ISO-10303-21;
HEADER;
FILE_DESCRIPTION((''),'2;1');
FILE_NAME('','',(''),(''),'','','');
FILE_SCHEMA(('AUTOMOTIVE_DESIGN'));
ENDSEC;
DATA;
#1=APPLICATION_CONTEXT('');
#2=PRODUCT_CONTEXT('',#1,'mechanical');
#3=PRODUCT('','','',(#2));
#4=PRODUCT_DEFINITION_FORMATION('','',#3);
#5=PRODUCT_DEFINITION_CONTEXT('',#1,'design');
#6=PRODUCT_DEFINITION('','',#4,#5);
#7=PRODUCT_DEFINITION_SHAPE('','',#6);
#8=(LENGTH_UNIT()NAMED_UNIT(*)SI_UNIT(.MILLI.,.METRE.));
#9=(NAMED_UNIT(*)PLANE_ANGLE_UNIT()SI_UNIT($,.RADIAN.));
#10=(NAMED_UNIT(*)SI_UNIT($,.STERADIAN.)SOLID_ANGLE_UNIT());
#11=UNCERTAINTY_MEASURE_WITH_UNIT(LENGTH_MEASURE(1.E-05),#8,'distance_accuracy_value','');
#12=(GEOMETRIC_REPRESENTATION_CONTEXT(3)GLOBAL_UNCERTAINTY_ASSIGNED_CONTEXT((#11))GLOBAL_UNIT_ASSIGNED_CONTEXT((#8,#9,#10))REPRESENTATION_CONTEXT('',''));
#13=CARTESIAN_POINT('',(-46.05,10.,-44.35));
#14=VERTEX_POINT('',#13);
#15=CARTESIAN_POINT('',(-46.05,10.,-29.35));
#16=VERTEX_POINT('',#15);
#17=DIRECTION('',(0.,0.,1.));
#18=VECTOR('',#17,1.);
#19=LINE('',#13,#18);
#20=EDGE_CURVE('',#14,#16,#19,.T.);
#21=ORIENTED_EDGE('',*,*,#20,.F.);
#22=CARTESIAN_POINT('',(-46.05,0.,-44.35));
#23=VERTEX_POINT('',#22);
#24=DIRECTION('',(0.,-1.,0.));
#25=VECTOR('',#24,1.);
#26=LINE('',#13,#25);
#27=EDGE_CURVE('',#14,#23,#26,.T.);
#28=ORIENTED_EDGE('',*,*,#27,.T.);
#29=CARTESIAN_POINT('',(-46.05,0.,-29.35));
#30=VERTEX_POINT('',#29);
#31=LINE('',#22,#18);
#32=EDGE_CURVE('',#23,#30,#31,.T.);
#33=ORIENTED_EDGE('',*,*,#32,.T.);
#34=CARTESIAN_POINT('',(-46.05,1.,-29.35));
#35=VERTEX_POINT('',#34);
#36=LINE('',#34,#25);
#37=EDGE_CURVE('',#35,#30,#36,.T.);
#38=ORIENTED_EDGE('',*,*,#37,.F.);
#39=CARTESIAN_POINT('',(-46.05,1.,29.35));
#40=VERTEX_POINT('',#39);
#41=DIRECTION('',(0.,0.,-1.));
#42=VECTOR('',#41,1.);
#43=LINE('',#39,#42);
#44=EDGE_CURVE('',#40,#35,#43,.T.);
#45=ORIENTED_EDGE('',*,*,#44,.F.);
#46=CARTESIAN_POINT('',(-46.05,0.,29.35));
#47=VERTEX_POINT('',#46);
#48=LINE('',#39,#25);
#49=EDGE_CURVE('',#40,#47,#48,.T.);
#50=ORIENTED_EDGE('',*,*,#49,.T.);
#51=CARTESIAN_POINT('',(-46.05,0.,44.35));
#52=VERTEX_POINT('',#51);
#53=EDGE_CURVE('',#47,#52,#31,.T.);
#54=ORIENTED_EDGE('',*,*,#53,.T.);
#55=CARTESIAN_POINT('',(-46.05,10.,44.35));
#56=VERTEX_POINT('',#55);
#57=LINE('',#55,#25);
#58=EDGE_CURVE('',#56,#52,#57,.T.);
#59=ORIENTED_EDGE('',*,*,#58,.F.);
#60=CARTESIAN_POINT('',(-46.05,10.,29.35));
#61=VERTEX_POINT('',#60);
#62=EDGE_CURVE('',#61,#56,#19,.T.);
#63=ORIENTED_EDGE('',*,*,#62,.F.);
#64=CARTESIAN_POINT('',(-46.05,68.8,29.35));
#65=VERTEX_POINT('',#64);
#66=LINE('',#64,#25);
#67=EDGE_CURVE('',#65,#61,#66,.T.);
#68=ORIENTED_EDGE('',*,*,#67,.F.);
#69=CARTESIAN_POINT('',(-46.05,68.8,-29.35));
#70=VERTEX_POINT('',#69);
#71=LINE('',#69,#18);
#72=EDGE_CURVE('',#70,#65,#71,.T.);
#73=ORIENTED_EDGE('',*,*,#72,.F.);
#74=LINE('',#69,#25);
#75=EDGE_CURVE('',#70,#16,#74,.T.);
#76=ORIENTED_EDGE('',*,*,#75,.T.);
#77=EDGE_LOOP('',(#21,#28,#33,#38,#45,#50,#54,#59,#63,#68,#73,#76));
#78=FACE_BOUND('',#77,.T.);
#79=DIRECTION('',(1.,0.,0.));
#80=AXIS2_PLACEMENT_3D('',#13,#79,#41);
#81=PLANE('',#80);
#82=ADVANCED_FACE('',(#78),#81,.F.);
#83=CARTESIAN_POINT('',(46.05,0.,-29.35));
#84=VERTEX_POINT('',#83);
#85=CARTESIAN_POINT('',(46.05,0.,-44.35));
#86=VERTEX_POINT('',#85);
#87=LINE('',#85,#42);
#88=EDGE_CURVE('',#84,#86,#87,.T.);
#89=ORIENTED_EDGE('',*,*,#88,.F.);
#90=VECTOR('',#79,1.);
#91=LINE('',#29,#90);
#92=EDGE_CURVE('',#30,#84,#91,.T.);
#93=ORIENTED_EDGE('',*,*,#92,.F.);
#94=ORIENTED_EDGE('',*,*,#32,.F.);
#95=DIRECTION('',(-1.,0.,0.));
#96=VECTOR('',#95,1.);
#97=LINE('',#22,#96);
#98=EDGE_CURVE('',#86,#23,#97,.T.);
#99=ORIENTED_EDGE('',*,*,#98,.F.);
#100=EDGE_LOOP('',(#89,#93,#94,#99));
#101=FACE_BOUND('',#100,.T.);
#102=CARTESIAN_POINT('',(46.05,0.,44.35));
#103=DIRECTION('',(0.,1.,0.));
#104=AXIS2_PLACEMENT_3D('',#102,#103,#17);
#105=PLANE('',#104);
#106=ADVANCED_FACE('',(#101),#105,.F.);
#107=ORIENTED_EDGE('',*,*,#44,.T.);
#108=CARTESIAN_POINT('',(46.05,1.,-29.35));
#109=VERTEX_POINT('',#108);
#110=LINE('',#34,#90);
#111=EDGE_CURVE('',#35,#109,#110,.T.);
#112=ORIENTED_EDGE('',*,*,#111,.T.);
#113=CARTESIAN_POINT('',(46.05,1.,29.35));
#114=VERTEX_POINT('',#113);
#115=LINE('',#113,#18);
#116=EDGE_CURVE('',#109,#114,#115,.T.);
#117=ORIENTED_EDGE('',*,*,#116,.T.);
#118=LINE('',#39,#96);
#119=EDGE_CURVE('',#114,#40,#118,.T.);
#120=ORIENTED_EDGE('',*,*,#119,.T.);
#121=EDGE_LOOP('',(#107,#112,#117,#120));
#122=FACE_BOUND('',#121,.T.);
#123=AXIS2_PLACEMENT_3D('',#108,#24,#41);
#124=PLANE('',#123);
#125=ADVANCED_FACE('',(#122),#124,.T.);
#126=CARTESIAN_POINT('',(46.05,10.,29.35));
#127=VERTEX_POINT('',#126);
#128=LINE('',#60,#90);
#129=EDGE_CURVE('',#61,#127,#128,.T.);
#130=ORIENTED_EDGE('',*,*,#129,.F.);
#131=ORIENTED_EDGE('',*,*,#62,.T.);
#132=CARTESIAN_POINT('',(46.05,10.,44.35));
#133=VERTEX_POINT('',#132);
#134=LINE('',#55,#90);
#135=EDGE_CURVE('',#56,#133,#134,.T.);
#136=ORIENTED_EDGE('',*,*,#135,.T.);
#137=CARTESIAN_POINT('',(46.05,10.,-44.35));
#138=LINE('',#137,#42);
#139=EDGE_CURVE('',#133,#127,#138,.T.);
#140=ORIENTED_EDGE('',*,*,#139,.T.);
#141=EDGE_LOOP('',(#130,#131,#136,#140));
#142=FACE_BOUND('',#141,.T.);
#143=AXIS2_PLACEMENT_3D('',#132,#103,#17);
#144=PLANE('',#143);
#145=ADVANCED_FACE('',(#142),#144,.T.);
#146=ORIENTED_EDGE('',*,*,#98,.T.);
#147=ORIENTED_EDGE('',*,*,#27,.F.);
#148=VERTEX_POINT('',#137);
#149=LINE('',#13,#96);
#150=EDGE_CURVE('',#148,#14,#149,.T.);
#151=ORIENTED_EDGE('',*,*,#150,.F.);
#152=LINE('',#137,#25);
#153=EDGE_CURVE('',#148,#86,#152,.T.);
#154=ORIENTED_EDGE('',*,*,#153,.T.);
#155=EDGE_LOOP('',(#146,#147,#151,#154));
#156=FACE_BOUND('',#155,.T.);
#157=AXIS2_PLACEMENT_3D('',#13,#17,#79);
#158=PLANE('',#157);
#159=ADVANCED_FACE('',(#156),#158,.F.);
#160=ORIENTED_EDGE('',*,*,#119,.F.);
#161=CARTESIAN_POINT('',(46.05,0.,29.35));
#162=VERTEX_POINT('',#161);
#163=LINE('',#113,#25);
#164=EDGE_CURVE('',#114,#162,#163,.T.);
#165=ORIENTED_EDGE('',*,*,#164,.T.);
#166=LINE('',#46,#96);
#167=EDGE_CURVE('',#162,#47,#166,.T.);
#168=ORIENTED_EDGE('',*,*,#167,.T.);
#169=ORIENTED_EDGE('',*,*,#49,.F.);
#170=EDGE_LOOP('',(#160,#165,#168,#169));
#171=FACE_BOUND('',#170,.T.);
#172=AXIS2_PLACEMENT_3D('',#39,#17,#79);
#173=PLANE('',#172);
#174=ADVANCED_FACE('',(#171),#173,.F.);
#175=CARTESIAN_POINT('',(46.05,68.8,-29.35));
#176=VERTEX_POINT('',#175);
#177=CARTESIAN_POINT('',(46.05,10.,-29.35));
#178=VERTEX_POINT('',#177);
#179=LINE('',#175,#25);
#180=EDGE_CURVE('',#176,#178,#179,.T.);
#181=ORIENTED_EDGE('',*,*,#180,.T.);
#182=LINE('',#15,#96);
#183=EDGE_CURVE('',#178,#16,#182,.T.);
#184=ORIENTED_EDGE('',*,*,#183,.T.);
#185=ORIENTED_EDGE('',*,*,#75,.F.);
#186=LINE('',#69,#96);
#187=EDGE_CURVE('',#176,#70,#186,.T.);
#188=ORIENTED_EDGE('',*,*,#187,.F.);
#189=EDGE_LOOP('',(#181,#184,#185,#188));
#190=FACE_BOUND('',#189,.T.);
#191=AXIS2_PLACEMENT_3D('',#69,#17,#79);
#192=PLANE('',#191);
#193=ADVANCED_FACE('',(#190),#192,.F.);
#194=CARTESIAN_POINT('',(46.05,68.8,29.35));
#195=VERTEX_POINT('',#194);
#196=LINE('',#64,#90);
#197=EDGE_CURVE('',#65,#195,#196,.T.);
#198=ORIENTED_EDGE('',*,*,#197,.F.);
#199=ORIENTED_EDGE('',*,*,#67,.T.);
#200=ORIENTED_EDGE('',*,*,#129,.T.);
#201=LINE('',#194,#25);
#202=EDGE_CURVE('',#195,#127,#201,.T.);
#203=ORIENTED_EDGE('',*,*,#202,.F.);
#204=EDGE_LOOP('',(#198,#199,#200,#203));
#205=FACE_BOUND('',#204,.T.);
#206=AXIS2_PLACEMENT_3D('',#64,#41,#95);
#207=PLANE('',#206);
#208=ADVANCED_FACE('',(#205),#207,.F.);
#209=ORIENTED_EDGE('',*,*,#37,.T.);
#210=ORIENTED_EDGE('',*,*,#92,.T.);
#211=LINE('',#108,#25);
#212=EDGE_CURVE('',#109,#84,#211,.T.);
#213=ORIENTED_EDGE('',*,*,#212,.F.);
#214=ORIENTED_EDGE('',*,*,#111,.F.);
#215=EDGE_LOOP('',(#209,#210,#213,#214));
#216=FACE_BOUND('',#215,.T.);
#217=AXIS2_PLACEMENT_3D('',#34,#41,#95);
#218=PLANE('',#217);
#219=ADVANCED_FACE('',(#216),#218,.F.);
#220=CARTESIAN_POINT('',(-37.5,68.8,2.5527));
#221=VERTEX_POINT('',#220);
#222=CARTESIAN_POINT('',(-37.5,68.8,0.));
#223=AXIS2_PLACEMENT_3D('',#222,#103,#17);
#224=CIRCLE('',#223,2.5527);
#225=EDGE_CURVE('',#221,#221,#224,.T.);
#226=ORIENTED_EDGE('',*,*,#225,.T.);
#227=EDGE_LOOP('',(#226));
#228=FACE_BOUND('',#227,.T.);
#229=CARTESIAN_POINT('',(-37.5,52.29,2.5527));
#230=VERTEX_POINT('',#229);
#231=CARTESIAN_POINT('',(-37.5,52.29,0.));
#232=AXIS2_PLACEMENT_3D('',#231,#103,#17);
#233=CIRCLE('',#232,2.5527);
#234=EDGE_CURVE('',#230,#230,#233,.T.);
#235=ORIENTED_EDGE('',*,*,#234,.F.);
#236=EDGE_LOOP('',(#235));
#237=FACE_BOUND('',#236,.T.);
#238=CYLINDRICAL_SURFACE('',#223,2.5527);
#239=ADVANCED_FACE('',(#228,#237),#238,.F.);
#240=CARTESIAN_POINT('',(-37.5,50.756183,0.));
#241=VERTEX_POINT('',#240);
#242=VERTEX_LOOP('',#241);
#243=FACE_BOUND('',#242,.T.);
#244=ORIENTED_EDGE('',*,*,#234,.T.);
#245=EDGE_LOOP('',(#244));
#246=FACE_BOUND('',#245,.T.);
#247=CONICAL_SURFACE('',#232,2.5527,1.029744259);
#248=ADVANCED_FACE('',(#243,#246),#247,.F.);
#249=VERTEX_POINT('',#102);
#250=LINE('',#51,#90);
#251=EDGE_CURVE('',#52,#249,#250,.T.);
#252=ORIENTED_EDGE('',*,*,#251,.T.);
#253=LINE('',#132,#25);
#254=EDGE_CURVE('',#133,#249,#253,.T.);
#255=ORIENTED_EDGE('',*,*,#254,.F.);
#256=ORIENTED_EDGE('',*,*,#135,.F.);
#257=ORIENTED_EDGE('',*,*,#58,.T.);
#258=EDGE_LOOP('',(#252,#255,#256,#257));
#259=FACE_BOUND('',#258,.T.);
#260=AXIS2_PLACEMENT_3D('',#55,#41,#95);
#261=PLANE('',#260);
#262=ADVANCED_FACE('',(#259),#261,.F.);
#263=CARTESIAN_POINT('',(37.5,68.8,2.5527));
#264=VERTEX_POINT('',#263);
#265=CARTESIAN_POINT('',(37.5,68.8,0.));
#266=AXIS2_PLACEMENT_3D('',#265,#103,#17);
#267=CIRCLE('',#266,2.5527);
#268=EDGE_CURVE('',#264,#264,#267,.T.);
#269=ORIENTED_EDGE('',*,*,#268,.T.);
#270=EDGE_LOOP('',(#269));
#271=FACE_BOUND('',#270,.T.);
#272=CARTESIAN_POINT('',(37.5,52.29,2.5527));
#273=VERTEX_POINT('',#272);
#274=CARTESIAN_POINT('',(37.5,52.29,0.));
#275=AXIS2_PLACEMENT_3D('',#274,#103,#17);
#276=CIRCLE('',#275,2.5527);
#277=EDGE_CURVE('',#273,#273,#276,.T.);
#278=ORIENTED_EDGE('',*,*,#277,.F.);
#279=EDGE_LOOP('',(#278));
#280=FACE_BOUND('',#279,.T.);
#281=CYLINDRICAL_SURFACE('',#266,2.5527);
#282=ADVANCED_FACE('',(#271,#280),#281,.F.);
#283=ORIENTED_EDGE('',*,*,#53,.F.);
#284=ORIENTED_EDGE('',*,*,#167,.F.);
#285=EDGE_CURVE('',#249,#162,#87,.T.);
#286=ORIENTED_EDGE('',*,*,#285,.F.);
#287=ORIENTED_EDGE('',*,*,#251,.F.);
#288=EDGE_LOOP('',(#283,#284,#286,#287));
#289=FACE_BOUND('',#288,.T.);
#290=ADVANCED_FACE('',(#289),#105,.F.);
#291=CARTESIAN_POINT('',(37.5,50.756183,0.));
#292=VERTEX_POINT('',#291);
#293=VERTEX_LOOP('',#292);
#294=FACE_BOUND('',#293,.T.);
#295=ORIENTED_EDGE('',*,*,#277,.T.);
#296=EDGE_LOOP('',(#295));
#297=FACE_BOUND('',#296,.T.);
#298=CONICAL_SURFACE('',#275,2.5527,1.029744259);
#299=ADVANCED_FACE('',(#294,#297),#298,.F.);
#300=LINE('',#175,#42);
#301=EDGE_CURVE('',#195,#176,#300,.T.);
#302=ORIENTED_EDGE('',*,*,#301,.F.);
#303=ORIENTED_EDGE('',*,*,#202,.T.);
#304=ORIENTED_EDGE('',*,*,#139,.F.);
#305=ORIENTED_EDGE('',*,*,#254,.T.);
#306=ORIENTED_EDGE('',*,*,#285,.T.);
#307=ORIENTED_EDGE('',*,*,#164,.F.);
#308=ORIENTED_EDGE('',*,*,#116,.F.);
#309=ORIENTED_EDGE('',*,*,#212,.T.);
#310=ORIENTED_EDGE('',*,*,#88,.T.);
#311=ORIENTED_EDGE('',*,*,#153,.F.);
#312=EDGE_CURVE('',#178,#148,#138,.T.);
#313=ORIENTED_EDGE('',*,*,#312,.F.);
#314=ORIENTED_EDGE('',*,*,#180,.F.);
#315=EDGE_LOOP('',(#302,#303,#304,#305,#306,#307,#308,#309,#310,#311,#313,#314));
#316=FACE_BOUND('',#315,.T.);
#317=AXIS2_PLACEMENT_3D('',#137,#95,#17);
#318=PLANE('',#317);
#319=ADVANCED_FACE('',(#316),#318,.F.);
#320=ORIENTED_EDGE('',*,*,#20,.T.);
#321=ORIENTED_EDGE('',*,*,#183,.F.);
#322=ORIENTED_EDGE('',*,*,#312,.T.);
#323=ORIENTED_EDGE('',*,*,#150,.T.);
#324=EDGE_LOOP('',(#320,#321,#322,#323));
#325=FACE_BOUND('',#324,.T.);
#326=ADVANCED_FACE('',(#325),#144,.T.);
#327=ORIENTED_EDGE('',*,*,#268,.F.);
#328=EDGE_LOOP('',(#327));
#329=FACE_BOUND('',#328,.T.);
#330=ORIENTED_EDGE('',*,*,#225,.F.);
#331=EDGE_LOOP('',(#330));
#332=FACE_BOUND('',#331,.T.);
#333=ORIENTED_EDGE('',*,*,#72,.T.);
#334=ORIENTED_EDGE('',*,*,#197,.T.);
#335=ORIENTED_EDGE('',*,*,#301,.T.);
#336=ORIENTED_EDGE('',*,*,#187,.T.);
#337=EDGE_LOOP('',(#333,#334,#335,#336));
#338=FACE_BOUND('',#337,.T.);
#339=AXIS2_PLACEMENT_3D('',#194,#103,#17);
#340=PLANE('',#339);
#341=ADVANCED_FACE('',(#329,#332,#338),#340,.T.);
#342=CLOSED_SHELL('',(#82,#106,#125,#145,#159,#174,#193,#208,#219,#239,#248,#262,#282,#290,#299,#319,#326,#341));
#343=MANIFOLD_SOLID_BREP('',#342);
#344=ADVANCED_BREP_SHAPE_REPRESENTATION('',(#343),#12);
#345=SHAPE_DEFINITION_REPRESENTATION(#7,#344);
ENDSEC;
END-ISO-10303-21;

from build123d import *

# Parameters (mm, degrees)
SKETCH1_W                   = 92.1
SKETCH1_H                   = 88.7
BOSS_EXTRUDE1_DEPTH         = 10
SKETCH2_W                   = 92.1
SKETCH2_H                   = 58.7
BOSS_EXTRUDE2_DEPTH         = 58.8
SKETCH16_W                  = 92.1
SKETCH16_H                  = 58.7
CUT_EXTRUDE2_DEPTH          = 1
F_1_4_20_TAPPED_HOLE1_D     = 5.1054
F_1_4_20_TAPPED_HOLE1_DEPTH = 16.51
F_1_4_20_TAPPED_HOLE1_TIP   = 1.533816902


with BuildPart() as part:
    # Sketch1 → Boss-Extrude1 (new body)
    with BuildSketch(Plane(origin=(0, 0, 0), x_dir=(1, 0, 0), z_dir=(0, 1, 0))):
        Rectangle(SKETCH1_W, SKETCH1_H)
    extrude(amount=BOSS_EXTRUDE1_DEPTH)

    # Sketch2 → Boss-Extrude2 (add)
    with BuildSketch(Plane(origin=(0, 10, 0), x_dir=(1, 0, 0), z_dir=(0, 1, 0))):
        Rectangle(SKETCH2_W, SKETCH2_H)
    extrude(amount=BOSS_EXTRUDE2_DEPTH)

    # Sketch16 → Cut-Extrude2 (cut)
    with BuildSketch(Plane.XZ):
        Rectangle(SKETCH16_W, SKETCH16_H)
    extrude(amount=-CUT_EXTRUDE2_DEPTH, mode=Mode.SUBTRACT)

    # 1/4-20 Tapped Hole1
    with Locations(Plane(origin=(0, 68.8, 0), x_dir=(-1, 0, 0), z_dir=(0, 1, 0))):
        with Locations((37.5, 0), (-37.5, 0)):
            Hole(F_1_4_20_TAPPED_HOLE1_D / 2, depth=F_1_4_20_TAPPED_HOLE1_DEPTH)
            with Locations((0, 0, -(F_1_4_20_TAPPED_HOLE1_DEPTH + F_1_4_20_TAPPED_HOLE1_TIP / 2))):  # 118° drill point
                Cone(0, F_1_4_20_TAPPED_HOLE1_D / 2, F_1_4_20_TAPPED_HOLE1_TIP, mode=Mode.SUBTRACT)


solid = part.part
